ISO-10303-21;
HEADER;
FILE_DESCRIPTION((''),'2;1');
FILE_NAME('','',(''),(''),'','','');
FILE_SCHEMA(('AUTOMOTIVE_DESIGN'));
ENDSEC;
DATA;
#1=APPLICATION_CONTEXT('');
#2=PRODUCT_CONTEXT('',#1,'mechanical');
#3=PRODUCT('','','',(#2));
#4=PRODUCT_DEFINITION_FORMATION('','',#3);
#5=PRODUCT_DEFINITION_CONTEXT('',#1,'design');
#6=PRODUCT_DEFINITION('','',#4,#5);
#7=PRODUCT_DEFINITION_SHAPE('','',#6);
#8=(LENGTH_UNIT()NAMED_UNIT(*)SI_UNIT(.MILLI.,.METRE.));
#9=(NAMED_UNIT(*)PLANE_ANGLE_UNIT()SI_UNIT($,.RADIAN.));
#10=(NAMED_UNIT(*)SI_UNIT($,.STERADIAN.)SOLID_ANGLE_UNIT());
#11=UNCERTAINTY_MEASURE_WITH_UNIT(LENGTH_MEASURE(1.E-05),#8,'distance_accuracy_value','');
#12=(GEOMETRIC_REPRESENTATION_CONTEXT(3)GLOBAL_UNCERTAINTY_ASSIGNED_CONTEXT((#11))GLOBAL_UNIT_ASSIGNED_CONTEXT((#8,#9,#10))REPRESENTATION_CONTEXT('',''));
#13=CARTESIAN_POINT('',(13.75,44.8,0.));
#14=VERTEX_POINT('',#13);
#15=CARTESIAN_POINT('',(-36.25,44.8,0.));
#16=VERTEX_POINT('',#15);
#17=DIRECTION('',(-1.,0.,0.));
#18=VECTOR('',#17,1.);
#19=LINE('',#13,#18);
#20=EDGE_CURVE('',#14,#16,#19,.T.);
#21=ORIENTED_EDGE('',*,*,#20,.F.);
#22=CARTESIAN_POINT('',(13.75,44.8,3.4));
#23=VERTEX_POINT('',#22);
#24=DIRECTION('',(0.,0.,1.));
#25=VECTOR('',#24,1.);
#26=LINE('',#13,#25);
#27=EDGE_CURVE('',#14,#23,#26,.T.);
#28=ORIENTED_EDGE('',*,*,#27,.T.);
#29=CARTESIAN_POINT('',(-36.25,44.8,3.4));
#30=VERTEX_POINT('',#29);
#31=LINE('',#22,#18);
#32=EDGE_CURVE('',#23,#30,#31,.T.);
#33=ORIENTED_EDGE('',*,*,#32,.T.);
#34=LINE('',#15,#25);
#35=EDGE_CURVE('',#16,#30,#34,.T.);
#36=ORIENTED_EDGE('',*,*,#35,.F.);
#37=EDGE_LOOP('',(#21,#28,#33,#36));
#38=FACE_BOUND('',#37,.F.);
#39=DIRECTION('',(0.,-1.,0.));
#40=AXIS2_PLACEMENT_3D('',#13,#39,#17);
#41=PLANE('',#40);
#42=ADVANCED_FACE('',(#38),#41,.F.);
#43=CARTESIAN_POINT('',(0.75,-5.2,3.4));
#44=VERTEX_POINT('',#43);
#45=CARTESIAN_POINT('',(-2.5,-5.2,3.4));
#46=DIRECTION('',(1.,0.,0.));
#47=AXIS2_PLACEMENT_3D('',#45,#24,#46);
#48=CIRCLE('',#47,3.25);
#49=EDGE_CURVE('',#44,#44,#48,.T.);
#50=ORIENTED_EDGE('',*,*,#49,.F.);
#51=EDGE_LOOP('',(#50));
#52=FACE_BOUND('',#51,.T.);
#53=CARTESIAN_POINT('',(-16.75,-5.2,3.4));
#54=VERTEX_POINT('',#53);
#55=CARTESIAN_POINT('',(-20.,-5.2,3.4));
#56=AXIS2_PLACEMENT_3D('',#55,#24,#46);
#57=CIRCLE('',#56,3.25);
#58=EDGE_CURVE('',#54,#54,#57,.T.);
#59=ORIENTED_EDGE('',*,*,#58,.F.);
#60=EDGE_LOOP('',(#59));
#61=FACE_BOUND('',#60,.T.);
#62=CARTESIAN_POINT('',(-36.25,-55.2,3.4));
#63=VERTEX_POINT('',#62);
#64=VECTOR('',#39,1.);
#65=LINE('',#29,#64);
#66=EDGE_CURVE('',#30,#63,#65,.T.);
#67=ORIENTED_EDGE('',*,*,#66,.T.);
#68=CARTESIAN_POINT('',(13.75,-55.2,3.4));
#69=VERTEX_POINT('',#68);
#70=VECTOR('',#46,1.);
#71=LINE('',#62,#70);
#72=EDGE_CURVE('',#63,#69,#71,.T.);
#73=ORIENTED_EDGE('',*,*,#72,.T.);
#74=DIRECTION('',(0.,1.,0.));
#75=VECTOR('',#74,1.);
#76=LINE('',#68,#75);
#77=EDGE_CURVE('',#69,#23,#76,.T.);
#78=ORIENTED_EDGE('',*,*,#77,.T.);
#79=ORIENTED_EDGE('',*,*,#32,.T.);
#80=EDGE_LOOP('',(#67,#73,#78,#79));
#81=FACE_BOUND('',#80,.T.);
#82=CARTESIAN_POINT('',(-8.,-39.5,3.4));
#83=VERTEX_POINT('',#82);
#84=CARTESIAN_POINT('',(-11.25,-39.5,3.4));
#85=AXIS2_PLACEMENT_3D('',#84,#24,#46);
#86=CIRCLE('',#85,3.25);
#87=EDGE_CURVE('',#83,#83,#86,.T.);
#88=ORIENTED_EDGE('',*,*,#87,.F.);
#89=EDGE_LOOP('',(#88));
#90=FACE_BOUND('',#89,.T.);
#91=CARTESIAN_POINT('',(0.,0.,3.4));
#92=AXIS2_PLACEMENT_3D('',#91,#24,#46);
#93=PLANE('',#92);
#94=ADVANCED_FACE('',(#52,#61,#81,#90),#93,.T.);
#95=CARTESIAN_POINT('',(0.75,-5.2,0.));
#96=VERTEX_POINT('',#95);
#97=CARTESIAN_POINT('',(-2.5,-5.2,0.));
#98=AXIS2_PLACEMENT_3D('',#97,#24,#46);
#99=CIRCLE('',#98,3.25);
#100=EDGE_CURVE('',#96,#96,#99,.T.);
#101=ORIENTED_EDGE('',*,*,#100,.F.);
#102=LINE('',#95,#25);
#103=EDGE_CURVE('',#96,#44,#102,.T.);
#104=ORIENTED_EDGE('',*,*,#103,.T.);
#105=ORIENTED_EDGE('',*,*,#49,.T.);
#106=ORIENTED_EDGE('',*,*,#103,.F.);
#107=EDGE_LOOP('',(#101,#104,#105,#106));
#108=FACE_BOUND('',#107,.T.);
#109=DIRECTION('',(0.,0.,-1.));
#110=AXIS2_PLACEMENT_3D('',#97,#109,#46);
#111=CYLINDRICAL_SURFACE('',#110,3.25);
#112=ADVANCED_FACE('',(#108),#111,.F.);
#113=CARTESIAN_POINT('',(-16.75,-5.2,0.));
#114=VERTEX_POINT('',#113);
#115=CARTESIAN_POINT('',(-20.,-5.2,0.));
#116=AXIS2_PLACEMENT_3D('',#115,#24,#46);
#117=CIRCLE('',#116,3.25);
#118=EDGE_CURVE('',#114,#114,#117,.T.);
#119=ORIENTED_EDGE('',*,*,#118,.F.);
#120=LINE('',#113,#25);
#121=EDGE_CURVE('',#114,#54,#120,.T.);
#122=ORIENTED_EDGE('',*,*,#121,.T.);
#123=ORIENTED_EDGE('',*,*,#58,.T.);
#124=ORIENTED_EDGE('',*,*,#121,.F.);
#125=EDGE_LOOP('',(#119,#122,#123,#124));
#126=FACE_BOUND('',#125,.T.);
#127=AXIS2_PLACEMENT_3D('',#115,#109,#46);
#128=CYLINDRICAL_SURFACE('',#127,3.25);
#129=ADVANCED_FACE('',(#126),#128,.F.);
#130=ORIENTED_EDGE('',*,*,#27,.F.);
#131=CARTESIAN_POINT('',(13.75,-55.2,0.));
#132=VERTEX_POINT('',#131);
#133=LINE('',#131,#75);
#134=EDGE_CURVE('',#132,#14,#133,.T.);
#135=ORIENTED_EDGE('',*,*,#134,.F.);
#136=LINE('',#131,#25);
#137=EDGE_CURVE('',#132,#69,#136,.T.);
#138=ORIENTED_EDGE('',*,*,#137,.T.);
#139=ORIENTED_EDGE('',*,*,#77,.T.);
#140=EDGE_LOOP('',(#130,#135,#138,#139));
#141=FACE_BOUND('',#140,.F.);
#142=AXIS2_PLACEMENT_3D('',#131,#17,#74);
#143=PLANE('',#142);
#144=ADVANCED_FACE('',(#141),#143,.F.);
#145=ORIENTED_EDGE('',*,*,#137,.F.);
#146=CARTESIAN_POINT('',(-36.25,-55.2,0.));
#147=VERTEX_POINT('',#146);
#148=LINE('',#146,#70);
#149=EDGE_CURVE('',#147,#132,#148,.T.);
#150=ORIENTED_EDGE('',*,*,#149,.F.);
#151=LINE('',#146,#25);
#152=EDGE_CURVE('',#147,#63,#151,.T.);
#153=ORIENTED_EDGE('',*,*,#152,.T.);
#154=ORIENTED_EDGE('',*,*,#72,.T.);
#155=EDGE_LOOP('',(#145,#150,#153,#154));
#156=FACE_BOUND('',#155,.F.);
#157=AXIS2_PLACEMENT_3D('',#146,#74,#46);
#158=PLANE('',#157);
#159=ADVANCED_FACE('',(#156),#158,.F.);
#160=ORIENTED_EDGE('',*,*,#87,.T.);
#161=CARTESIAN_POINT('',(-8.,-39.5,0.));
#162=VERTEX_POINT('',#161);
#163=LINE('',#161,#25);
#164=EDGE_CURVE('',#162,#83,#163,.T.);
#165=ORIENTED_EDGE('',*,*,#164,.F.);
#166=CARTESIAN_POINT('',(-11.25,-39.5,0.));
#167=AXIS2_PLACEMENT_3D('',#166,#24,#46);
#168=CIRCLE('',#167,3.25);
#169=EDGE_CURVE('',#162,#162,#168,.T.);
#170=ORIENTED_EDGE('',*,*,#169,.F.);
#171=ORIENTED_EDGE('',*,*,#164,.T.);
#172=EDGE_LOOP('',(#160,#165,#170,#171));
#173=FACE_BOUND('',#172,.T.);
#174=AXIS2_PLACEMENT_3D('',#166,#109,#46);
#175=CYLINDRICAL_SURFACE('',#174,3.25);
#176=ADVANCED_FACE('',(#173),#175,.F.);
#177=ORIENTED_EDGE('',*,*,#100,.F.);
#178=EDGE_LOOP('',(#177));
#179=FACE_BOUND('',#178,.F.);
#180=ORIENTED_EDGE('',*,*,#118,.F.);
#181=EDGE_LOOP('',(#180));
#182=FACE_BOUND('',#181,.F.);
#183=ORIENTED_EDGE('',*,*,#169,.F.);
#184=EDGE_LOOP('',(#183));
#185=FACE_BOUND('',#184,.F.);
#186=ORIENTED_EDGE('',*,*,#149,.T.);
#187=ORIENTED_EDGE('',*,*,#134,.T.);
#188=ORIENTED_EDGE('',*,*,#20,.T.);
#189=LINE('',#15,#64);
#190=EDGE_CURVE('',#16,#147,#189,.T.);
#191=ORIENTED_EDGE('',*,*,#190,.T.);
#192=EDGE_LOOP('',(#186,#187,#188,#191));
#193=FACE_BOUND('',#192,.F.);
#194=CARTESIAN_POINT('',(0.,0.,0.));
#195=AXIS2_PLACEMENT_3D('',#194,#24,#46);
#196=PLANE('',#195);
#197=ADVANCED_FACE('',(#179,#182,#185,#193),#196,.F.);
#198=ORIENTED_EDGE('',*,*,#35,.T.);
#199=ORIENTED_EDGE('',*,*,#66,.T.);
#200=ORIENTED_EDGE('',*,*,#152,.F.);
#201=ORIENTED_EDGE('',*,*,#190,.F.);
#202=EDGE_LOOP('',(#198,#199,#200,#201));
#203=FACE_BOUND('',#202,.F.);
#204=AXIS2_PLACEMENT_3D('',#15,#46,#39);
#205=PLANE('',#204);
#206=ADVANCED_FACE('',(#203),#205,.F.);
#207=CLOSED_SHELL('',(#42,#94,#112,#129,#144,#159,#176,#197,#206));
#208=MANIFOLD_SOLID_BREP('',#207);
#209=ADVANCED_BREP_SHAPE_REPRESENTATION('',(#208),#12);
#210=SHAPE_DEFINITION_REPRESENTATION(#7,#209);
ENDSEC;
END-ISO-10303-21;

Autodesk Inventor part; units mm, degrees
ref_plane "YZ Plane" through (0, 0, 0) normal (1, 0, 0) x (0, 1, 0)
ref_plane "XZ Plane" through (0, 0, 0) normal (0, 1, 0) x (-1, 0, 0)
ref_plane "XY Plane" through (0, 0, 0) normal (0, 0, 1) x (1, 0, 0)
sketch "Sketch1" plane through (0, 0, 0) normal (0, 0, 1) x (1, 0, 0)
  line L0 (13.75, 44.8) -> (-36.25, 44.8)
  line L1 (-36.25, 44.8) -> (-36.25, -55.2)
  line L2 (-36.25, -55.2) -> (13.75, -55.2)
  line L3 (13.75, -55.2) -> (13.75, 44.8)
  circle A0 centre (-2.5, -5.2) radius 2.5 construction
  circle A1 centre (-20, -5.2) radius 2.5 construction
  circle A2 centre (-11.25, -39.5) radius 2.5 construction
  circle A3 centre (-2.5, -5.2) radius 3.25
  circle A4 centre (-20, -5.2) radius 3.25
  circle A5 centre (-11.25, -39.5) radius 3.25
  point P0 (0, 0)
  dimension "d0" = 6.5
  dimension "d1" = 6.5
  dimension "d2" = 6.5
extrude "Extrusion1" add sketch "Sketch1" along normal blind 3.4
properties part number "Motor cover upper"
